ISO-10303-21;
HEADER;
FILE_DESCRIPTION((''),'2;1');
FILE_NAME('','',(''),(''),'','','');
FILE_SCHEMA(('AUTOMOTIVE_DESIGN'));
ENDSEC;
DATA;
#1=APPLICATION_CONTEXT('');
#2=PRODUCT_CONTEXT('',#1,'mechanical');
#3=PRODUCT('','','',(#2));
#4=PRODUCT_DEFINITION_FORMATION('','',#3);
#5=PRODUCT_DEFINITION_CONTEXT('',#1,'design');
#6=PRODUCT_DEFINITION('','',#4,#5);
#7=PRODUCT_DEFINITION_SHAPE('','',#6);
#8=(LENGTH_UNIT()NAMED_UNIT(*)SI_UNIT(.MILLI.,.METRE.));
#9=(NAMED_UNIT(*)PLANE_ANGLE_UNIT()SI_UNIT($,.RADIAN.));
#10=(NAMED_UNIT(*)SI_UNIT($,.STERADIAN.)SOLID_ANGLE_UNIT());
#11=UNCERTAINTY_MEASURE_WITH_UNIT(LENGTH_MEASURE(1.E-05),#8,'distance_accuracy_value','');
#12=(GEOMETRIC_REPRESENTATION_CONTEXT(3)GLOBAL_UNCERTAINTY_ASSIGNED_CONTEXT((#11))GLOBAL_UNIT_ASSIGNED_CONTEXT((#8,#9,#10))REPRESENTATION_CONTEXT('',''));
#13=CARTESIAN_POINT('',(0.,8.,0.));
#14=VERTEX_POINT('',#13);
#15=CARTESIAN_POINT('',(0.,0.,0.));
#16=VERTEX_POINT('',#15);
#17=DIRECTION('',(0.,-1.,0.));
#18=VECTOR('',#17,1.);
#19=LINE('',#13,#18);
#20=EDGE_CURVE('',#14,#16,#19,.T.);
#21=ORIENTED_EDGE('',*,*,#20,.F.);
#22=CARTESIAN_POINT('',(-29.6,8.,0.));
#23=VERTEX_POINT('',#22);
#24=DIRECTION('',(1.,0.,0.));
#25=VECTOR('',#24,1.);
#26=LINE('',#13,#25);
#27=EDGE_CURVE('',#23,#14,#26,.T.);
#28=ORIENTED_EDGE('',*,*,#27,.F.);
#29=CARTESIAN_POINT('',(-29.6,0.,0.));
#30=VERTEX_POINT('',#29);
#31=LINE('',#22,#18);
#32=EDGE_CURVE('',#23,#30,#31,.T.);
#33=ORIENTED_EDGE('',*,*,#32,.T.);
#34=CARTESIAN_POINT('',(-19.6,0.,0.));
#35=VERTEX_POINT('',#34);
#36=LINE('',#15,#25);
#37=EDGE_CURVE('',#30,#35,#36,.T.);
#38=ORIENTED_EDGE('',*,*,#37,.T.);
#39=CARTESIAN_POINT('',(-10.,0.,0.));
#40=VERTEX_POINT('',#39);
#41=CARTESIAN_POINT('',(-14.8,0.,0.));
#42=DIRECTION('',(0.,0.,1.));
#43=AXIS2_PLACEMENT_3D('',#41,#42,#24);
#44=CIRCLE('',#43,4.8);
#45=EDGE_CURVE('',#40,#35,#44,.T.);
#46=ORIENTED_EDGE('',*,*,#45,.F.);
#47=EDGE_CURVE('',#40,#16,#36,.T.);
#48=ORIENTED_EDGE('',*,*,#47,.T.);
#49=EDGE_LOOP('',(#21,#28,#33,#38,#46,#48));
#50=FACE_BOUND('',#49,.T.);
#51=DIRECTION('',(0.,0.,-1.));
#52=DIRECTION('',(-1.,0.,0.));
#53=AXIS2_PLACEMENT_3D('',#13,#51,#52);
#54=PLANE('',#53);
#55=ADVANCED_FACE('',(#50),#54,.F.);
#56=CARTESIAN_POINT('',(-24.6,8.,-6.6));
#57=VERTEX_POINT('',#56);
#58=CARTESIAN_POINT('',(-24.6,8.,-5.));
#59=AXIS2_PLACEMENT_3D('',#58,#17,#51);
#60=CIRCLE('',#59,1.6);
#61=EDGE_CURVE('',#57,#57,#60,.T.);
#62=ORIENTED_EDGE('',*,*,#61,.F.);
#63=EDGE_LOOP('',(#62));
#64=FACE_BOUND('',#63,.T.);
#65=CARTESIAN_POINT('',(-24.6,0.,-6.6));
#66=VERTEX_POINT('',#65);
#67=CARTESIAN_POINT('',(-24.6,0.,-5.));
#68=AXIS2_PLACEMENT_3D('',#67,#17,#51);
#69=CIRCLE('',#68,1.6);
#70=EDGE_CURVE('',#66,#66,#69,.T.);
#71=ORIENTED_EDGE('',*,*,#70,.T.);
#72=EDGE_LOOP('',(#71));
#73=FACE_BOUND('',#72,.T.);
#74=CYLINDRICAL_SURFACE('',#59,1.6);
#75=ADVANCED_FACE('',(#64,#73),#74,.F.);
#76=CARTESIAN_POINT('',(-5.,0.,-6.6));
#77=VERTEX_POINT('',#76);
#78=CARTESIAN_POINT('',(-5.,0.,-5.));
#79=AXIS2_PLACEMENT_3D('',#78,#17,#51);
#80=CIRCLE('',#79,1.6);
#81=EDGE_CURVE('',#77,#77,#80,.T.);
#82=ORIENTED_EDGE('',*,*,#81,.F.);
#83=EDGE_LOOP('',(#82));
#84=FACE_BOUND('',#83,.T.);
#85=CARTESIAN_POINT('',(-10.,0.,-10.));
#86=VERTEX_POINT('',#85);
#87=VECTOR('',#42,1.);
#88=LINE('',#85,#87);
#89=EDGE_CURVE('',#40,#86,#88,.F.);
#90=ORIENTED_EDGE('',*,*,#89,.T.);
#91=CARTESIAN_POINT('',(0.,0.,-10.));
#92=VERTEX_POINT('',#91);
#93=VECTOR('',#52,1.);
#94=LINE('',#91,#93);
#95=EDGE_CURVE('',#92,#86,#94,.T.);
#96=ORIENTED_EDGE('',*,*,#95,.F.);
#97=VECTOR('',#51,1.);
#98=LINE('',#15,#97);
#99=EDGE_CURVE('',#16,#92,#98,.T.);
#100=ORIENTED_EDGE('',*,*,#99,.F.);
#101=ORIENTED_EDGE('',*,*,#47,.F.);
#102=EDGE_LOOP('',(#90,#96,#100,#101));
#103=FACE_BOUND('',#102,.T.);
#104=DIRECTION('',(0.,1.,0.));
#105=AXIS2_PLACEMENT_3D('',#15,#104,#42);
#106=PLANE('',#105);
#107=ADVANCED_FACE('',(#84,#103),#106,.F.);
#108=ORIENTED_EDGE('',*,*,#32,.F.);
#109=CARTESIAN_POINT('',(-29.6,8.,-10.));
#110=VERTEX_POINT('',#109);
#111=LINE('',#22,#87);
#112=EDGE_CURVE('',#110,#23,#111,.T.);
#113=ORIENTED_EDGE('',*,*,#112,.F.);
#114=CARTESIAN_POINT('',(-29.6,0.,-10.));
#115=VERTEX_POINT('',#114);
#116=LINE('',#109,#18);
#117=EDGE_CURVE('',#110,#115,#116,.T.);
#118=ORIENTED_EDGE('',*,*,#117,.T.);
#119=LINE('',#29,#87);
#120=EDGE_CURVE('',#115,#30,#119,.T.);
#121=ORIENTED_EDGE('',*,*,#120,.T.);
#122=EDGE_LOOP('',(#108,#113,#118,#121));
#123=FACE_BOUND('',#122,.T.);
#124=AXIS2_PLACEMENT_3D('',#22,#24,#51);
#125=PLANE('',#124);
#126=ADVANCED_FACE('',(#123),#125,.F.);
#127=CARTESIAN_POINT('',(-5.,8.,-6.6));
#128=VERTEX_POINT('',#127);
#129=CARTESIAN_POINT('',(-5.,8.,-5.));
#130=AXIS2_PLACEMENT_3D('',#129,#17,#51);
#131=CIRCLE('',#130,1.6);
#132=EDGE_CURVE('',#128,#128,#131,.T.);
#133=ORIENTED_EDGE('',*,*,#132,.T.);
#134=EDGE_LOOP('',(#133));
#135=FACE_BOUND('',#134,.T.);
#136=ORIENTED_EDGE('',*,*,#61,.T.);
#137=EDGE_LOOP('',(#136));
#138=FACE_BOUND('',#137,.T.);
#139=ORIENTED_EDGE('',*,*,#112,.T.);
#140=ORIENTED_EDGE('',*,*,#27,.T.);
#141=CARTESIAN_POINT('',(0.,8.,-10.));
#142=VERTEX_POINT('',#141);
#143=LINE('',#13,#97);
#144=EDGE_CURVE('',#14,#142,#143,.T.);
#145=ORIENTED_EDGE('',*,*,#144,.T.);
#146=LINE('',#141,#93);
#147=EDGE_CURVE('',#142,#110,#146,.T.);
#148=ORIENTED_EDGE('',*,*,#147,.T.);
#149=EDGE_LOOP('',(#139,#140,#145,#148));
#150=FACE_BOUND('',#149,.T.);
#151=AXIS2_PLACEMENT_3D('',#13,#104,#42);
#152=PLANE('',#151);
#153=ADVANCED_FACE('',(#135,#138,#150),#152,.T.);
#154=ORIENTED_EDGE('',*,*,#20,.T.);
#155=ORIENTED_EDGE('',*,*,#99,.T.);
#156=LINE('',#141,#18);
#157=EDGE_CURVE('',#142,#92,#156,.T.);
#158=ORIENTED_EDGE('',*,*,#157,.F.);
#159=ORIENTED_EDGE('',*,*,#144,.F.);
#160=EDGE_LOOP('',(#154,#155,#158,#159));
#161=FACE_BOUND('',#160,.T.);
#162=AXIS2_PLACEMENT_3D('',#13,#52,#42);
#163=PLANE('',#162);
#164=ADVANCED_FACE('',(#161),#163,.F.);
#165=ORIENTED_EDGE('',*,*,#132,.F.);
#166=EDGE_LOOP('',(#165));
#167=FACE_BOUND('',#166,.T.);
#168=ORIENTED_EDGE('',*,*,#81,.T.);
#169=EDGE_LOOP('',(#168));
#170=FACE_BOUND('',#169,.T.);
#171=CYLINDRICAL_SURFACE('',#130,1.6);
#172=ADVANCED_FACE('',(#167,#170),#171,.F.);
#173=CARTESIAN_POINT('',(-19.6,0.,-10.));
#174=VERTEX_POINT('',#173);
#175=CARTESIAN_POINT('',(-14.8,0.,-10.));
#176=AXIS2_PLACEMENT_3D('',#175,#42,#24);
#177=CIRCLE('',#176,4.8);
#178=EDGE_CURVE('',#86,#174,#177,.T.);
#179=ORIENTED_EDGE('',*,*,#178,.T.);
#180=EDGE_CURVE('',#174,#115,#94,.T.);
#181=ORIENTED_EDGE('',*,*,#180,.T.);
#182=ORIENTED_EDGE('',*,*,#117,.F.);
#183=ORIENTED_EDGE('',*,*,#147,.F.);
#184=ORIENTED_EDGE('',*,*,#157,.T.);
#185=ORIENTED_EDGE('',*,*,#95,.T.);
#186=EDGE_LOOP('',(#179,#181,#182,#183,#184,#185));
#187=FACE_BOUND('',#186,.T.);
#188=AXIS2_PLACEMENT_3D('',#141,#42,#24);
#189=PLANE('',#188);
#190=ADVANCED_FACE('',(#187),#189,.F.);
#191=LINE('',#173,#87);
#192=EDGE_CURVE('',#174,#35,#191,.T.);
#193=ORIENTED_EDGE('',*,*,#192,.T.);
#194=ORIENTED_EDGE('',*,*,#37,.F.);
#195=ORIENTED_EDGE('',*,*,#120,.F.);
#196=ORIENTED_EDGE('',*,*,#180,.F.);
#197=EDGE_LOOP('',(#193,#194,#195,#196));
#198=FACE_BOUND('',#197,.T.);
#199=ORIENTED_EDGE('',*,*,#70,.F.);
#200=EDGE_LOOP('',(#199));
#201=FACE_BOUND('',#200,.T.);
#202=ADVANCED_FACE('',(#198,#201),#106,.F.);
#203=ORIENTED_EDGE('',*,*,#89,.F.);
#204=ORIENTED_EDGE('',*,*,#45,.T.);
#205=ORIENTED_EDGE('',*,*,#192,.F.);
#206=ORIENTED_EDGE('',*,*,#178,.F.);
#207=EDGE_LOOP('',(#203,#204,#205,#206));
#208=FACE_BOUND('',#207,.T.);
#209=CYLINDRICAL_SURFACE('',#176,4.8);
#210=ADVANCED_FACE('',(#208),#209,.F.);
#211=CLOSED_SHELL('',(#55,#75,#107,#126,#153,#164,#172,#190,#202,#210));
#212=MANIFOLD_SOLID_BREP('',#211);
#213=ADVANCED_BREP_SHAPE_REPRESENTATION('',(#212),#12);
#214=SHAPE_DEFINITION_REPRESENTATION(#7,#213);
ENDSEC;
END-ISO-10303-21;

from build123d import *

# Parameters (mm, degrees)
SKETCH1_W           = 29.6
SKETCH1_H           = 10
BOSS_EXTRUDE1_DEPTH = 8
SKETCH2_R           = 4.8
CUT_EXTRUDE1_DEPTH  = 10
SKETCH4_R           = 1.6
CUT_EXTRUDE2_DEPTH  = 8
SKETCH7_R           = 1.6
CUT_EXTRUDE3_DEPTH  = 8


with BuildPart() as part:
    # Sketch1 → Boss-Extrude1 (new body)
    with BuildSketch(Plane(origin=(0, 0, 0), x_dir=(1, 0, 0), z_dir=(0, 1, 0))):
        with Locations((-14.8, 5)):
            Rectangle(SKETCH1_W, SKETCH1_H)
    extrude(amount=BOSS_EXTRUDE1_DEPTH)

    # Sketch2 → Cut-Extrude1 (cut)
    with BuildSketch(Plane.XY):
        with Locations((-14.8, 0)):
            Circle(SKETCH2_R)
    extrude(amount=-CUT_EXTRUDE1_DEPTH, mode=Mode.SUBTRACT)

    # Sketch4 → Cut-Extrude2 (cut)
    with BuildSketch(Plane.XZ):
        with Locations((-24.6, -5)):
            Circle(SKETCH4_R)
    extrude(amount=-CUT_EXTRUDE2_DEPTH, mode=Mode.SUBTRACT)

    # Sketch7 → Cut-Extrude3 (cut)
    with BuildSketch(Plane.XZ):
        with Locations((-5, -5)):
            Circle(SKETCH7_R)
    extrude(amount=-CUT_EXTRUDE3_DEPTH, mode=Mode.SUBTRACT)


solid = part.part
